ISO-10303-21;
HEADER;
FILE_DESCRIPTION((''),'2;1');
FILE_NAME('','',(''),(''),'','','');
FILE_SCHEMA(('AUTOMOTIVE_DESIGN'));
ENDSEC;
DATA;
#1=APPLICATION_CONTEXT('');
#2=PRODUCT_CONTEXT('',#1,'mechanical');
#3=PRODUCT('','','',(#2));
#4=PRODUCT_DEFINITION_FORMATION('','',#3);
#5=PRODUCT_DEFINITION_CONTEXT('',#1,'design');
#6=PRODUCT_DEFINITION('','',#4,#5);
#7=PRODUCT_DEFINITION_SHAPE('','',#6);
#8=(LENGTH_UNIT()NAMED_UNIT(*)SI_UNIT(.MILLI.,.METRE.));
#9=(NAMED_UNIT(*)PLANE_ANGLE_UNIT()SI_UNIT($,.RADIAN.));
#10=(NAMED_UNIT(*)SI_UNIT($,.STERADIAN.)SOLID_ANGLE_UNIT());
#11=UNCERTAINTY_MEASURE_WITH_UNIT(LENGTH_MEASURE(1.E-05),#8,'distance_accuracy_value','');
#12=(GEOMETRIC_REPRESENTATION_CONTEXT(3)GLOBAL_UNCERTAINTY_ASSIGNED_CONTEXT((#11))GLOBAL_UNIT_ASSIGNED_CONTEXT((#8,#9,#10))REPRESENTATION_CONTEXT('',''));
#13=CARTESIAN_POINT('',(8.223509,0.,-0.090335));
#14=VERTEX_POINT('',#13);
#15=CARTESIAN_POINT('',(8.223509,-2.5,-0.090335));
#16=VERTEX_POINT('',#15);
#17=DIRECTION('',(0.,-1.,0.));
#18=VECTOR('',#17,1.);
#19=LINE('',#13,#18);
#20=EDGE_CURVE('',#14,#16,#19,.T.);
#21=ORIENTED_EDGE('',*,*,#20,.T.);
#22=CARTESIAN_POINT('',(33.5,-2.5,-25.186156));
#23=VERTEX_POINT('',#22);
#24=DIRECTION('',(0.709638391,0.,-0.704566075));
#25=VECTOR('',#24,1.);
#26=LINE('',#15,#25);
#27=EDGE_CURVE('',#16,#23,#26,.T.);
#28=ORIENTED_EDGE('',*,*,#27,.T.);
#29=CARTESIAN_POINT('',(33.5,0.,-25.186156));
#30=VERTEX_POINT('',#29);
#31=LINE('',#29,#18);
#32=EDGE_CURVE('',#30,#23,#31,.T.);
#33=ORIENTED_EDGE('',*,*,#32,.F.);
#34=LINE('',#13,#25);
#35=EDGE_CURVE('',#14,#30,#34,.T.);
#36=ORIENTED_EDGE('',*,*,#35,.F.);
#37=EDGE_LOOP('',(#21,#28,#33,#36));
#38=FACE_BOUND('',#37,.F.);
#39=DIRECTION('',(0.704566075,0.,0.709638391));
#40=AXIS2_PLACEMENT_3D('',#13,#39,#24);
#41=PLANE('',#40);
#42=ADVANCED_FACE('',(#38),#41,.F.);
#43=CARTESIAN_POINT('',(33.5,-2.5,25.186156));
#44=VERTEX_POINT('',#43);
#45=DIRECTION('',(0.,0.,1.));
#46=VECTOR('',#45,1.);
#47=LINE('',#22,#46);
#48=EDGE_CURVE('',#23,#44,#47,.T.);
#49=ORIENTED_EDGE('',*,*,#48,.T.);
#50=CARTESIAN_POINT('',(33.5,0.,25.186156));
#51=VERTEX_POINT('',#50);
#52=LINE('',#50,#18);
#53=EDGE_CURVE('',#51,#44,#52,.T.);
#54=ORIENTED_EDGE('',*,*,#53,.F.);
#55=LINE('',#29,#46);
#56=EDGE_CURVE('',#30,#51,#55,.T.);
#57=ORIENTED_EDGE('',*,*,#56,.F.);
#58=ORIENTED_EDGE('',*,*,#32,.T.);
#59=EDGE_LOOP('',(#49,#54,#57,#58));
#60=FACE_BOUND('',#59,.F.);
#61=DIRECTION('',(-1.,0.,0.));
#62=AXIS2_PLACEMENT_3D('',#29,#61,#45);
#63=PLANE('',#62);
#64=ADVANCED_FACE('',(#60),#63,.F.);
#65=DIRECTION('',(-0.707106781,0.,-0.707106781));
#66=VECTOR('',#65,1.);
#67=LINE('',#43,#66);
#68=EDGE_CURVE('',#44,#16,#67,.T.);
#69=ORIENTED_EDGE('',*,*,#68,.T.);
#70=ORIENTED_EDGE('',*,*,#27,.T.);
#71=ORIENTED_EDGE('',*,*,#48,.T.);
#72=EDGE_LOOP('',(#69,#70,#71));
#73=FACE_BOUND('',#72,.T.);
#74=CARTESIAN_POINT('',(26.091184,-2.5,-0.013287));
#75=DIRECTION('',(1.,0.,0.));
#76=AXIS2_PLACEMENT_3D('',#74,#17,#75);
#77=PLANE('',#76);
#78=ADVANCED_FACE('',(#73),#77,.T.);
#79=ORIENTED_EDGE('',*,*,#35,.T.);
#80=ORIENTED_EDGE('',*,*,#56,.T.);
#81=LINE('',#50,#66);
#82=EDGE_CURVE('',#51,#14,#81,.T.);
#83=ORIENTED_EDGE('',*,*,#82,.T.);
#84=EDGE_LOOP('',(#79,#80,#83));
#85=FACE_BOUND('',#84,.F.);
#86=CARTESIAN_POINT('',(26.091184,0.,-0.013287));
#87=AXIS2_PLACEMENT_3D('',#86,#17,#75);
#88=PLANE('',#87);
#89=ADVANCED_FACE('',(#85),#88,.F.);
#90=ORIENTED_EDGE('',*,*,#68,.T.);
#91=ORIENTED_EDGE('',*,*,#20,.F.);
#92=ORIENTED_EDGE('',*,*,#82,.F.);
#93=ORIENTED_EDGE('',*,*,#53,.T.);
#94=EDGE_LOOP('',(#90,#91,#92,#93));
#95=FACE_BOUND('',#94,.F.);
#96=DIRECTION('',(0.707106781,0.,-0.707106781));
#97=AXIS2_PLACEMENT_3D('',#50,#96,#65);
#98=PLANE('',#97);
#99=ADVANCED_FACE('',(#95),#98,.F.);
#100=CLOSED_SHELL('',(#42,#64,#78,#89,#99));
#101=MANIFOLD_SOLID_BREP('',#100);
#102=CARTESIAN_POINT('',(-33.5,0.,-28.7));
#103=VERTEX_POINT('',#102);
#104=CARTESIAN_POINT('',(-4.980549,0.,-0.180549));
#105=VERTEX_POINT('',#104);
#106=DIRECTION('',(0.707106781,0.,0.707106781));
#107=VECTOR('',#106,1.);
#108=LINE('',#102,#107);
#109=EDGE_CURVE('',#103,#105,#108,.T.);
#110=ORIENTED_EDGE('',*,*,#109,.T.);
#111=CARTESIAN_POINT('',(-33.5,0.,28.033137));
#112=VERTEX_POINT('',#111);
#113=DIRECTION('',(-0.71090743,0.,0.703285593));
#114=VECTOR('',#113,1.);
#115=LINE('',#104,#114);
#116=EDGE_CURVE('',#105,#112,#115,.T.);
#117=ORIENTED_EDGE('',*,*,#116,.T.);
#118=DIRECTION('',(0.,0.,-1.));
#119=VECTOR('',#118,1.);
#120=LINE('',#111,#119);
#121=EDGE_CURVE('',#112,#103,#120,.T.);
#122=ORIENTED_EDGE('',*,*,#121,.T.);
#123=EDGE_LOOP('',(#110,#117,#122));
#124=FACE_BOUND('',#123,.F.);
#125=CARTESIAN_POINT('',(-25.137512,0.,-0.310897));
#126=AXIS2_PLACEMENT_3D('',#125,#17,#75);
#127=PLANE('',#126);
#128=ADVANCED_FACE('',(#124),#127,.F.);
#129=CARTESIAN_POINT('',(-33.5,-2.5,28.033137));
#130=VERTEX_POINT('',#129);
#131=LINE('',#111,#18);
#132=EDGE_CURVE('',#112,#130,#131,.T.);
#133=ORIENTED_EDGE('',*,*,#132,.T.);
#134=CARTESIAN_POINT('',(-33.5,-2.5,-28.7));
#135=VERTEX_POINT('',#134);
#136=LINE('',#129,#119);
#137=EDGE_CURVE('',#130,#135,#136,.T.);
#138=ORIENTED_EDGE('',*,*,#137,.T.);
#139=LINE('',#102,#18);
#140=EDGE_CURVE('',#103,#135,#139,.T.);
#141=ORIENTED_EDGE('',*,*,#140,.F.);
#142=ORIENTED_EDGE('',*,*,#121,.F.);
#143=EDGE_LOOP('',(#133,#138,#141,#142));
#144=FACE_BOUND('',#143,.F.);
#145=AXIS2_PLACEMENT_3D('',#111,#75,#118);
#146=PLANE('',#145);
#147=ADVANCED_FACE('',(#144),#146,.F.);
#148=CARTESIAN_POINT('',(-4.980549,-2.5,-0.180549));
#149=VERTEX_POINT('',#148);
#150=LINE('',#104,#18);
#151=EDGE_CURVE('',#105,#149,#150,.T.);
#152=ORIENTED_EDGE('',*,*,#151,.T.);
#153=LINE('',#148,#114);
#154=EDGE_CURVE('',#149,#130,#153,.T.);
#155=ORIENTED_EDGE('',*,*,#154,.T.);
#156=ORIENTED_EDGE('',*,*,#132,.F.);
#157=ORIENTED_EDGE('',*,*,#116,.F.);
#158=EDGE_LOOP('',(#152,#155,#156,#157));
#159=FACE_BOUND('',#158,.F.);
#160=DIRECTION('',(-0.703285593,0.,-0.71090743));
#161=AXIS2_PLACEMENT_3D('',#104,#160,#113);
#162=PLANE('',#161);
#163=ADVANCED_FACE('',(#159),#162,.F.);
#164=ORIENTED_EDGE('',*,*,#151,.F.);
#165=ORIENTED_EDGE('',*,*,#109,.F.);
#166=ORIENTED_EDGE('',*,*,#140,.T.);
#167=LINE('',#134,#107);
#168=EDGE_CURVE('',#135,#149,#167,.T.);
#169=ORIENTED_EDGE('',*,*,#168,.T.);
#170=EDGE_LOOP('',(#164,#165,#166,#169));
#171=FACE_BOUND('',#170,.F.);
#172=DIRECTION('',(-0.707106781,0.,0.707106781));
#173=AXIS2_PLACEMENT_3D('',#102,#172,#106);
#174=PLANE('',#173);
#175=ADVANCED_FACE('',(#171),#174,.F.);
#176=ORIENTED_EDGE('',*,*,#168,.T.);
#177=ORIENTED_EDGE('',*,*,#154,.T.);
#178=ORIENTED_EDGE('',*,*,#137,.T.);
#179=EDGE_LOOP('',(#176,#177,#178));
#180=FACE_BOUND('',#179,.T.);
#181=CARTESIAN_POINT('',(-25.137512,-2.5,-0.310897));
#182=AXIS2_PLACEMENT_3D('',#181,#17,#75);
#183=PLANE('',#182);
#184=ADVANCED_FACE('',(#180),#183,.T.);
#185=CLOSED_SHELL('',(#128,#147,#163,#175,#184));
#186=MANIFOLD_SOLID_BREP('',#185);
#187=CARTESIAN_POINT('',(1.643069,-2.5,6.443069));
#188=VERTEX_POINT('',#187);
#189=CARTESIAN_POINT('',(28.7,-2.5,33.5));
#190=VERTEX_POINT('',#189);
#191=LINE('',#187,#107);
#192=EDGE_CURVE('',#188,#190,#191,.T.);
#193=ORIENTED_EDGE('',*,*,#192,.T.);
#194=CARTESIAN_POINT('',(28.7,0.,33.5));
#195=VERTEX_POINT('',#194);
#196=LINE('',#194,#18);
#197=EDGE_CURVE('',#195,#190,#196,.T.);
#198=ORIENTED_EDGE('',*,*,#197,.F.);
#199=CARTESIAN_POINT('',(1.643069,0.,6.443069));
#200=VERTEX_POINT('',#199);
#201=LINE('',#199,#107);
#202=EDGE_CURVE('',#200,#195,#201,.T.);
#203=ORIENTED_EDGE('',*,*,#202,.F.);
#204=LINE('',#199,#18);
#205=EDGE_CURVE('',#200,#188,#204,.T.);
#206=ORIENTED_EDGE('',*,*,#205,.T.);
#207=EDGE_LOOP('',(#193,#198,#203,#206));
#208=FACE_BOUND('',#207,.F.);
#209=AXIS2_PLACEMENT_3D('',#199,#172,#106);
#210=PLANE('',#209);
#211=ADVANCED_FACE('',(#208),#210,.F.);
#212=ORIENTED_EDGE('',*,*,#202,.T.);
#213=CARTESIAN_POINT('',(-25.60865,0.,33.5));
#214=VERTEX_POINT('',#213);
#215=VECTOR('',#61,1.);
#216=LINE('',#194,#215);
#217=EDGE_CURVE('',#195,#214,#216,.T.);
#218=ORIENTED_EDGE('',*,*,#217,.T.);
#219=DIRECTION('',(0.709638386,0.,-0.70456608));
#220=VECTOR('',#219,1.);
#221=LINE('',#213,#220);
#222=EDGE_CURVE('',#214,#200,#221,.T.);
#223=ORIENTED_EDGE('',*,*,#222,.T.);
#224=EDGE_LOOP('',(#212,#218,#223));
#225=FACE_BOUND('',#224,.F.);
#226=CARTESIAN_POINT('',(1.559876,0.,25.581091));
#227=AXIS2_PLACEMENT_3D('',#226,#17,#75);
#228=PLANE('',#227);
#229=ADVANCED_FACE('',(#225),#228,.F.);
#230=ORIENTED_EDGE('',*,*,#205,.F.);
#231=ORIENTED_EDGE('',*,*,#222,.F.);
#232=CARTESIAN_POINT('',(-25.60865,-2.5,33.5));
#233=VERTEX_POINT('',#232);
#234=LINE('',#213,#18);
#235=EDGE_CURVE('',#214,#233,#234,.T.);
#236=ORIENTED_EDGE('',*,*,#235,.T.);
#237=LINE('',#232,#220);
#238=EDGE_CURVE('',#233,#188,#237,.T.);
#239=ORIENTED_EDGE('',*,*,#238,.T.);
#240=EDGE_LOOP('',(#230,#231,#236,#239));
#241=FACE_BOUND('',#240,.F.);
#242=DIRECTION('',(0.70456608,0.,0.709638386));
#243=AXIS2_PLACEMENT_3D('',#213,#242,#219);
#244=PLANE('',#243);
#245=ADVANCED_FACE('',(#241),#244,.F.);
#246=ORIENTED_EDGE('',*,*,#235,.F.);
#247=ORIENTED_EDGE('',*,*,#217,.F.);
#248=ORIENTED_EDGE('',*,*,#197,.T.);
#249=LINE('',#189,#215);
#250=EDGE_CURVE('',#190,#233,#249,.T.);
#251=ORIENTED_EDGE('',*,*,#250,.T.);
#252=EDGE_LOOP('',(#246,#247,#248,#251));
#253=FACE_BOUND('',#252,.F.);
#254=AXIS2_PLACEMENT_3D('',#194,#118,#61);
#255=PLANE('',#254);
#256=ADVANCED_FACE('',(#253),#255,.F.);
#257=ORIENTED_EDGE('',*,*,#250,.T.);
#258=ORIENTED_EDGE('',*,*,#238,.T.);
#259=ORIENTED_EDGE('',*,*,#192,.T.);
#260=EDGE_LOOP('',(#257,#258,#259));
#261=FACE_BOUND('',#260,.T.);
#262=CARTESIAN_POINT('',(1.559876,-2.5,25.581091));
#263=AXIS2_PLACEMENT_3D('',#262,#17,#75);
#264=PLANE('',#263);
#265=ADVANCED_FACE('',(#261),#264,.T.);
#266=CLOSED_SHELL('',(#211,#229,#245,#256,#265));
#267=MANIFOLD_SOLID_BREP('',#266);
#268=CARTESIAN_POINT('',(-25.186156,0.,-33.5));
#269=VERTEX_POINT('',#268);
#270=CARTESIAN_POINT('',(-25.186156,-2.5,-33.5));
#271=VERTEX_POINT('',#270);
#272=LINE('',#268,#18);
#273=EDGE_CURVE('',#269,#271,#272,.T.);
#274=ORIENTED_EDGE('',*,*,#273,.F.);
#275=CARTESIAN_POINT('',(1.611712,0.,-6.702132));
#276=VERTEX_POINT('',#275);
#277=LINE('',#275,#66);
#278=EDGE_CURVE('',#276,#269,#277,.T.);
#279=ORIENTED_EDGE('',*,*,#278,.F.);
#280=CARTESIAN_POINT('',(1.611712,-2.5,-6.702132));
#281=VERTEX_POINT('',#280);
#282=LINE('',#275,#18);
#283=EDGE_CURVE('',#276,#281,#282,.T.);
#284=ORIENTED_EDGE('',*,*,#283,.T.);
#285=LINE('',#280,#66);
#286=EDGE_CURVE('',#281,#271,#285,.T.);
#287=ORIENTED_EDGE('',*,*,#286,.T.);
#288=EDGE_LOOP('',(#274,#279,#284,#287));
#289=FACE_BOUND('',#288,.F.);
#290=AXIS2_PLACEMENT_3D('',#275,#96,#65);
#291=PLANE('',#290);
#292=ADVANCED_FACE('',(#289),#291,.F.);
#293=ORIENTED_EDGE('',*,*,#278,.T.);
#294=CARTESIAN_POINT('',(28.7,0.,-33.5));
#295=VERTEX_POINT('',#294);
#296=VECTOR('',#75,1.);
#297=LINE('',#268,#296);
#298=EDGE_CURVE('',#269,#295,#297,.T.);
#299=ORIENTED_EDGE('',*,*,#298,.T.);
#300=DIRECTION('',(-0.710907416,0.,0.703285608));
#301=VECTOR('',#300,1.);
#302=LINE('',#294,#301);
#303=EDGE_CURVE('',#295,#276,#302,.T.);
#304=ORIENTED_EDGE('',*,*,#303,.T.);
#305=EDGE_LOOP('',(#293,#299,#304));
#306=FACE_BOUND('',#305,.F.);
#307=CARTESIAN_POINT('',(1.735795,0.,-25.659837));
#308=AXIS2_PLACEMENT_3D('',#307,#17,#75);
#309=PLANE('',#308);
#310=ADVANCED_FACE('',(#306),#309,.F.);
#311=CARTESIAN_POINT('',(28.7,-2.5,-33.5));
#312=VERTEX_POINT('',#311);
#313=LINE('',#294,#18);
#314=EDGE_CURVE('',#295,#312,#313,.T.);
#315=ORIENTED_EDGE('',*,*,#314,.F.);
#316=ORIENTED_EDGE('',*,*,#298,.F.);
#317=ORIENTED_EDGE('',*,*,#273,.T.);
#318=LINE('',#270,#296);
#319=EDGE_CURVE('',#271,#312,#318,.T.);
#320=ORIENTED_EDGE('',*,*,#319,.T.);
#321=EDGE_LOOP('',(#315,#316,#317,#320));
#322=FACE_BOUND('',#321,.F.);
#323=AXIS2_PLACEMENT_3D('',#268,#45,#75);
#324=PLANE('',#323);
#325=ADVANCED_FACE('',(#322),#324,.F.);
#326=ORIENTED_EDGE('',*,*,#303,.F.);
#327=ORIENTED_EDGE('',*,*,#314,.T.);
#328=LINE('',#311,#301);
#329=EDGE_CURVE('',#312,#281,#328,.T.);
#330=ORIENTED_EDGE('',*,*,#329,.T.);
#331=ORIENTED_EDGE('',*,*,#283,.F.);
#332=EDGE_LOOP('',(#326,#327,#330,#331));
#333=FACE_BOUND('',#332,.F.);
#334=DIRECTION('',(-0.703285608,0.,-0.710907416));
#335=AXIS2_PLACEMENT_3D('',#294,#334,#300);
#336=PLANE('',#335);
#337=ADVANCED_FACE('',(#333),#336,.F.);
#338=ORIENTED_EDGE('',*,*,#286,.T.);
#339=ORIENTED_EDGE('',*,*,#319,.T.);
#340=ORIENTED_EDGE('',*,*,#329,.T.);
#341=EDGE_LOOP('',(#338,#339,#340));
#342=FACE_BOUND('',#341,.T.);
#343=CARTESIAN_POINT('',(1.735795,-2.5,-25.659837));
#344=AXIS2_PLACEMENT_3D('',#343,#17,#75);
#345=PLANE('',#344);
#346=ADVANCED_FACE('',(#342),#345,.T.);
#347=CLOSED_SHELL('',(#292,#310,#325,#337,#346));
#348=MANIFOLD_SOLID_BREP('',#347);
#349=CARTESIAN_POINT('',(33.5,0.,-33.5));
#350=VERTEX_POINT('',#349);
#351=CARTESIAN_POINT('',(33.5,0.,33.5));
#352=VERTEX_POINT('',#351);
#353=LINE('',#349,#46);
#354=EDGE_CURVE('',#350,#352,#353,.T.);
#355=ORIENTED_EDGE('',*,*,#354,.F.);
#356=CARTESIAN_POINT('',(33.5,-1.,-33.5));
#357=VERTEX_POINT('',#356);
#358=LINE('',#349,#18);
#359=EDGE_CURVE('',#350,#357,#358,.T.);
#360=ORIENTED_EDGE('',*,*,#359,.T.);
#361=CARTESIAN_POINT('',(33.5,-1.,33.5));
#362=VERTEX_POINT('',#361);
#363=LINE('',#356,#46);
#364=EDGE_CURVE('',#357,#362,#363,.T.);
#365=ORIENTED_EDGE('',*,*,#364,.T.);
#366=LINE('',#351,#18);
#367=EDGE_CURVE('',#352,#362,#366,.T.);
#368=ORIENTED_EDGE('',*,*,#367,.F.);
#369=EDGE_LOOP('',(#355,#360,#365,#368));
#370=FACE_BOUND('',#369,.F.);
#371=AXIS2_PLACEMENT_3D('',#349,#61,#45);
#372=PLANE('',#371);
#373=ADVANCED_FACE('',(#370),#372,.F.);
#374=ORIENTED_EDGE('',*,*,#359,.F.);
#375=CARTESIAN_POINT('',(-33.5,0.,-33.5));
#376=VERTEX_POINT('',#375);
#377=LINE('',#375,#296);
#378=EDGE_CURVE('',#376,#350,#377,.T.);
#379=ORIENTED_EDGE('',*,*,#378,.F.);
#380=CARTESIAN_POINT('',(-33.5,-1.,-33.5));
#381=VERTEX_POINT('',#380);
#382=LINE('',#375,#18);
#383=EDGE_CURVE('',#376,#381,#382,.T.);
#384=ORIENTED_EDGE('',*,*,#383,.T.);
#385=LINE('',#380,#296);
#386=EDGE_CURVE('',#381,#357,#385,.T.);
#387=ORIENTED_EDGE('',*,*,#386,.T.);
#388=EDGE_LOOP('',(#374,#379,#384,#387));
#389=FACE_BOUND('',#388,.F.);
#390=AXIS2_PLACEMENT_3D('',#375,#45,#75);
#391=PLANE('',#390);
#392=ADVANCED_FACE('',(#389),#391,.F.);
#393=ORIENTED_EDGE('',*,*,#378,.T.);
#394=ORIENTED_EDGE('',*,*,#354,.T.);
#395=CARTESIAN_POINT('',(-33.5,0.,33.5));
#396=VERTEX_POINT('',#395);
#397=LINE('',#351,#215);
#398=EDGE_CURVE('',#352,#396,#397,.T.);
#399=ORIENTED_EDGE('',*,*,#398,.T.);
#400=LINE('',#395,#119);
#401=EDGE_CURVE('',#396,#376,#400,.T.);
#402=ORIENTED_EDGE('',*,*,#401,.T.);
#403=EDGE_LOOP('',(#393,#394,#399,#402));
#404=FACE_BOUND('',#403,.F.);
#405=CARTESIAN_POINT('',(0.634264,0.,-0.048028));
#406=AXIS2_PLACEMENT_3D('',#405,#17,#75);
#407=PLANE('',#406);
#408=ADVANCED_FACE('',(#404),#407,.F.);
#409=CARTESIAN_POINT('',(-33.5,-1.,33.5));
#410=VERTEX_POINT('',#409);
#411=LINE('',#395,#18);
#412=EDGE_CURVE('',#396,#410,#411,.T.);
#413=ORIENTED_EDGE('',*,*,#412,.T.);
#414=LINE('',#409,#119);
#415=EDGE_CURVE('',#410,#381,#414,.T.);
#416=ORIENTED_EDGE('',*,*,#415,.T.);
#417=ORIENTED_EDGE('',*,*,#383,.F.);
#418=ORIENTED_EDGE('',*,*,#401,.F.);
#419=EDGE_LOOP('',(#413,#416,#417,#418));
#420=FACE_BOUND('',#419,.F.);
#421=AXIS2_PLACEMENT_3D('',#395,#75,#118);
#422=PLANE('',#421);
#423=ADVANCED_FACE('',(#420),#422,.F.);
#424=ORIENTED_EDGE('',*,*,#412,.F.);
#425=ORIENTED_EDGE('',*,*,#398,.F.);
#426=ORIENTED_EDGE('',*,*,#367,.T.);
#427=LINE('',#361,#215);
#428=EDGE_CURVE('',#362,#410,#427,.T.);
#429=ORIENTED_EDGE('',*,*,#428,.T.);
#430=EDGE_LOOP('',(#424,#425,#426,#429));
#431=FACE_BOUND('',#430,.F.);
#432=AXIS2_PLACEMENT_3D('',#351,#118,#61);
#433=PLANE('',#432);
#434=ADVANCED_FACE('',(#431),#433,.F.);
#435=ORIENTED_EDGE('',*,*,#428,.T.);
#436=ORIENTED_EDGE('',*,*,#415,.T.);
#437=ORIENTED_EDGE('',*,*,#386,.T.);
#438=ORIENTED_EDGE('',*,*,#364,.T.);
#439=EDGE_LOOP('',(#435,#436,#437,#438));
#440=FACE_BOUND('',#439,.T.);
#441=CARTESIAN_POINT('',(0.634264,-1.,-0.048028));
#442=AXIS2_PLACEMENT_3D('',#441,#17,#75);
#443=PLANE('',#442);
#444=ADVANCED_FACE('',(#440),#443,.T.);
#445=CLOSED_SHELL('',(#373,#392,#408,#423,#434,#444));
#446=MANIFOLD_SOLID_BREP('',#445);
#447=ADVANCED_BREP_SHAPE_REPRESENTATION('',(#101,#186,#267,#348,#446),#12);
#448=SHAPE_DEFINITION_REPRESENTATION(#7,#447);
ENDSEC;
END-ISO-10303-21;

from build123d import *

# Parameters (mm, degrees)
F1_DEPTH = 2.5
F2_DEPTH = 1


with BuildPart() as f1:
    # F0 (on Front) → F1 (new body)
    with BuildSketch(Plane.XZ):
        Polygon((-33.5, 28.033137), (-33.5, -28.7), (-4.980549, -0.180549), align=None)
        Polygon((1.643069, 6.443069), (28.7, 33.5), (-25.60865, 33.5), align=None)
        Polygon((8.223509, -0.090335), (33.5, -25.186156), (33.5, 25.186156), align=None)
        Polygon((-25.186156, -33.5), (28.7, -33.5), (1.611712, -6.702132), align=None)
    extrude(amount=F1_DEPTH)


with BuildPart() as f2:
    # F0 (on Front) → F2 (new body)
    with BuildSketch(Plane.XZ):
        Polygon((28.7, -33.5), (33.5, -33.5), (33.5, -25.186156), (8.223509, -0.090335), (33.5, 25.186156), (33.5, 33.5), (28.7, 33.5), (1.643069, 6.443069), (-25.60865, 33.5), (-33.5, 33.5), (-33.5, 28.033137), (-4.980549, -0.180549), (-33.5, -28.7), (-33.5, -33.5), (-25.186156, -33.5), (1.611712, -6.702132), align=None)
        Polygon((-25.186156, -33.5), (28.7, -33.5), (1.611712, -6.702132), align=None)
        Polygon((8.223509, -0.090335), (33.5, -25.186156), (33.5, 25.186156), align=None)
        Polygon((-33.5, 28.033137), (-33.5, -28.7), (-4.980549, -0.180549), align=None)
        Polygon((1.643069, 6.443069), (28.7, 33.5), (-25.60865, 33.5), align=None)
    extrude(amount=F2_DEPTH)


solid = Compound([f1.part, f2.part])
